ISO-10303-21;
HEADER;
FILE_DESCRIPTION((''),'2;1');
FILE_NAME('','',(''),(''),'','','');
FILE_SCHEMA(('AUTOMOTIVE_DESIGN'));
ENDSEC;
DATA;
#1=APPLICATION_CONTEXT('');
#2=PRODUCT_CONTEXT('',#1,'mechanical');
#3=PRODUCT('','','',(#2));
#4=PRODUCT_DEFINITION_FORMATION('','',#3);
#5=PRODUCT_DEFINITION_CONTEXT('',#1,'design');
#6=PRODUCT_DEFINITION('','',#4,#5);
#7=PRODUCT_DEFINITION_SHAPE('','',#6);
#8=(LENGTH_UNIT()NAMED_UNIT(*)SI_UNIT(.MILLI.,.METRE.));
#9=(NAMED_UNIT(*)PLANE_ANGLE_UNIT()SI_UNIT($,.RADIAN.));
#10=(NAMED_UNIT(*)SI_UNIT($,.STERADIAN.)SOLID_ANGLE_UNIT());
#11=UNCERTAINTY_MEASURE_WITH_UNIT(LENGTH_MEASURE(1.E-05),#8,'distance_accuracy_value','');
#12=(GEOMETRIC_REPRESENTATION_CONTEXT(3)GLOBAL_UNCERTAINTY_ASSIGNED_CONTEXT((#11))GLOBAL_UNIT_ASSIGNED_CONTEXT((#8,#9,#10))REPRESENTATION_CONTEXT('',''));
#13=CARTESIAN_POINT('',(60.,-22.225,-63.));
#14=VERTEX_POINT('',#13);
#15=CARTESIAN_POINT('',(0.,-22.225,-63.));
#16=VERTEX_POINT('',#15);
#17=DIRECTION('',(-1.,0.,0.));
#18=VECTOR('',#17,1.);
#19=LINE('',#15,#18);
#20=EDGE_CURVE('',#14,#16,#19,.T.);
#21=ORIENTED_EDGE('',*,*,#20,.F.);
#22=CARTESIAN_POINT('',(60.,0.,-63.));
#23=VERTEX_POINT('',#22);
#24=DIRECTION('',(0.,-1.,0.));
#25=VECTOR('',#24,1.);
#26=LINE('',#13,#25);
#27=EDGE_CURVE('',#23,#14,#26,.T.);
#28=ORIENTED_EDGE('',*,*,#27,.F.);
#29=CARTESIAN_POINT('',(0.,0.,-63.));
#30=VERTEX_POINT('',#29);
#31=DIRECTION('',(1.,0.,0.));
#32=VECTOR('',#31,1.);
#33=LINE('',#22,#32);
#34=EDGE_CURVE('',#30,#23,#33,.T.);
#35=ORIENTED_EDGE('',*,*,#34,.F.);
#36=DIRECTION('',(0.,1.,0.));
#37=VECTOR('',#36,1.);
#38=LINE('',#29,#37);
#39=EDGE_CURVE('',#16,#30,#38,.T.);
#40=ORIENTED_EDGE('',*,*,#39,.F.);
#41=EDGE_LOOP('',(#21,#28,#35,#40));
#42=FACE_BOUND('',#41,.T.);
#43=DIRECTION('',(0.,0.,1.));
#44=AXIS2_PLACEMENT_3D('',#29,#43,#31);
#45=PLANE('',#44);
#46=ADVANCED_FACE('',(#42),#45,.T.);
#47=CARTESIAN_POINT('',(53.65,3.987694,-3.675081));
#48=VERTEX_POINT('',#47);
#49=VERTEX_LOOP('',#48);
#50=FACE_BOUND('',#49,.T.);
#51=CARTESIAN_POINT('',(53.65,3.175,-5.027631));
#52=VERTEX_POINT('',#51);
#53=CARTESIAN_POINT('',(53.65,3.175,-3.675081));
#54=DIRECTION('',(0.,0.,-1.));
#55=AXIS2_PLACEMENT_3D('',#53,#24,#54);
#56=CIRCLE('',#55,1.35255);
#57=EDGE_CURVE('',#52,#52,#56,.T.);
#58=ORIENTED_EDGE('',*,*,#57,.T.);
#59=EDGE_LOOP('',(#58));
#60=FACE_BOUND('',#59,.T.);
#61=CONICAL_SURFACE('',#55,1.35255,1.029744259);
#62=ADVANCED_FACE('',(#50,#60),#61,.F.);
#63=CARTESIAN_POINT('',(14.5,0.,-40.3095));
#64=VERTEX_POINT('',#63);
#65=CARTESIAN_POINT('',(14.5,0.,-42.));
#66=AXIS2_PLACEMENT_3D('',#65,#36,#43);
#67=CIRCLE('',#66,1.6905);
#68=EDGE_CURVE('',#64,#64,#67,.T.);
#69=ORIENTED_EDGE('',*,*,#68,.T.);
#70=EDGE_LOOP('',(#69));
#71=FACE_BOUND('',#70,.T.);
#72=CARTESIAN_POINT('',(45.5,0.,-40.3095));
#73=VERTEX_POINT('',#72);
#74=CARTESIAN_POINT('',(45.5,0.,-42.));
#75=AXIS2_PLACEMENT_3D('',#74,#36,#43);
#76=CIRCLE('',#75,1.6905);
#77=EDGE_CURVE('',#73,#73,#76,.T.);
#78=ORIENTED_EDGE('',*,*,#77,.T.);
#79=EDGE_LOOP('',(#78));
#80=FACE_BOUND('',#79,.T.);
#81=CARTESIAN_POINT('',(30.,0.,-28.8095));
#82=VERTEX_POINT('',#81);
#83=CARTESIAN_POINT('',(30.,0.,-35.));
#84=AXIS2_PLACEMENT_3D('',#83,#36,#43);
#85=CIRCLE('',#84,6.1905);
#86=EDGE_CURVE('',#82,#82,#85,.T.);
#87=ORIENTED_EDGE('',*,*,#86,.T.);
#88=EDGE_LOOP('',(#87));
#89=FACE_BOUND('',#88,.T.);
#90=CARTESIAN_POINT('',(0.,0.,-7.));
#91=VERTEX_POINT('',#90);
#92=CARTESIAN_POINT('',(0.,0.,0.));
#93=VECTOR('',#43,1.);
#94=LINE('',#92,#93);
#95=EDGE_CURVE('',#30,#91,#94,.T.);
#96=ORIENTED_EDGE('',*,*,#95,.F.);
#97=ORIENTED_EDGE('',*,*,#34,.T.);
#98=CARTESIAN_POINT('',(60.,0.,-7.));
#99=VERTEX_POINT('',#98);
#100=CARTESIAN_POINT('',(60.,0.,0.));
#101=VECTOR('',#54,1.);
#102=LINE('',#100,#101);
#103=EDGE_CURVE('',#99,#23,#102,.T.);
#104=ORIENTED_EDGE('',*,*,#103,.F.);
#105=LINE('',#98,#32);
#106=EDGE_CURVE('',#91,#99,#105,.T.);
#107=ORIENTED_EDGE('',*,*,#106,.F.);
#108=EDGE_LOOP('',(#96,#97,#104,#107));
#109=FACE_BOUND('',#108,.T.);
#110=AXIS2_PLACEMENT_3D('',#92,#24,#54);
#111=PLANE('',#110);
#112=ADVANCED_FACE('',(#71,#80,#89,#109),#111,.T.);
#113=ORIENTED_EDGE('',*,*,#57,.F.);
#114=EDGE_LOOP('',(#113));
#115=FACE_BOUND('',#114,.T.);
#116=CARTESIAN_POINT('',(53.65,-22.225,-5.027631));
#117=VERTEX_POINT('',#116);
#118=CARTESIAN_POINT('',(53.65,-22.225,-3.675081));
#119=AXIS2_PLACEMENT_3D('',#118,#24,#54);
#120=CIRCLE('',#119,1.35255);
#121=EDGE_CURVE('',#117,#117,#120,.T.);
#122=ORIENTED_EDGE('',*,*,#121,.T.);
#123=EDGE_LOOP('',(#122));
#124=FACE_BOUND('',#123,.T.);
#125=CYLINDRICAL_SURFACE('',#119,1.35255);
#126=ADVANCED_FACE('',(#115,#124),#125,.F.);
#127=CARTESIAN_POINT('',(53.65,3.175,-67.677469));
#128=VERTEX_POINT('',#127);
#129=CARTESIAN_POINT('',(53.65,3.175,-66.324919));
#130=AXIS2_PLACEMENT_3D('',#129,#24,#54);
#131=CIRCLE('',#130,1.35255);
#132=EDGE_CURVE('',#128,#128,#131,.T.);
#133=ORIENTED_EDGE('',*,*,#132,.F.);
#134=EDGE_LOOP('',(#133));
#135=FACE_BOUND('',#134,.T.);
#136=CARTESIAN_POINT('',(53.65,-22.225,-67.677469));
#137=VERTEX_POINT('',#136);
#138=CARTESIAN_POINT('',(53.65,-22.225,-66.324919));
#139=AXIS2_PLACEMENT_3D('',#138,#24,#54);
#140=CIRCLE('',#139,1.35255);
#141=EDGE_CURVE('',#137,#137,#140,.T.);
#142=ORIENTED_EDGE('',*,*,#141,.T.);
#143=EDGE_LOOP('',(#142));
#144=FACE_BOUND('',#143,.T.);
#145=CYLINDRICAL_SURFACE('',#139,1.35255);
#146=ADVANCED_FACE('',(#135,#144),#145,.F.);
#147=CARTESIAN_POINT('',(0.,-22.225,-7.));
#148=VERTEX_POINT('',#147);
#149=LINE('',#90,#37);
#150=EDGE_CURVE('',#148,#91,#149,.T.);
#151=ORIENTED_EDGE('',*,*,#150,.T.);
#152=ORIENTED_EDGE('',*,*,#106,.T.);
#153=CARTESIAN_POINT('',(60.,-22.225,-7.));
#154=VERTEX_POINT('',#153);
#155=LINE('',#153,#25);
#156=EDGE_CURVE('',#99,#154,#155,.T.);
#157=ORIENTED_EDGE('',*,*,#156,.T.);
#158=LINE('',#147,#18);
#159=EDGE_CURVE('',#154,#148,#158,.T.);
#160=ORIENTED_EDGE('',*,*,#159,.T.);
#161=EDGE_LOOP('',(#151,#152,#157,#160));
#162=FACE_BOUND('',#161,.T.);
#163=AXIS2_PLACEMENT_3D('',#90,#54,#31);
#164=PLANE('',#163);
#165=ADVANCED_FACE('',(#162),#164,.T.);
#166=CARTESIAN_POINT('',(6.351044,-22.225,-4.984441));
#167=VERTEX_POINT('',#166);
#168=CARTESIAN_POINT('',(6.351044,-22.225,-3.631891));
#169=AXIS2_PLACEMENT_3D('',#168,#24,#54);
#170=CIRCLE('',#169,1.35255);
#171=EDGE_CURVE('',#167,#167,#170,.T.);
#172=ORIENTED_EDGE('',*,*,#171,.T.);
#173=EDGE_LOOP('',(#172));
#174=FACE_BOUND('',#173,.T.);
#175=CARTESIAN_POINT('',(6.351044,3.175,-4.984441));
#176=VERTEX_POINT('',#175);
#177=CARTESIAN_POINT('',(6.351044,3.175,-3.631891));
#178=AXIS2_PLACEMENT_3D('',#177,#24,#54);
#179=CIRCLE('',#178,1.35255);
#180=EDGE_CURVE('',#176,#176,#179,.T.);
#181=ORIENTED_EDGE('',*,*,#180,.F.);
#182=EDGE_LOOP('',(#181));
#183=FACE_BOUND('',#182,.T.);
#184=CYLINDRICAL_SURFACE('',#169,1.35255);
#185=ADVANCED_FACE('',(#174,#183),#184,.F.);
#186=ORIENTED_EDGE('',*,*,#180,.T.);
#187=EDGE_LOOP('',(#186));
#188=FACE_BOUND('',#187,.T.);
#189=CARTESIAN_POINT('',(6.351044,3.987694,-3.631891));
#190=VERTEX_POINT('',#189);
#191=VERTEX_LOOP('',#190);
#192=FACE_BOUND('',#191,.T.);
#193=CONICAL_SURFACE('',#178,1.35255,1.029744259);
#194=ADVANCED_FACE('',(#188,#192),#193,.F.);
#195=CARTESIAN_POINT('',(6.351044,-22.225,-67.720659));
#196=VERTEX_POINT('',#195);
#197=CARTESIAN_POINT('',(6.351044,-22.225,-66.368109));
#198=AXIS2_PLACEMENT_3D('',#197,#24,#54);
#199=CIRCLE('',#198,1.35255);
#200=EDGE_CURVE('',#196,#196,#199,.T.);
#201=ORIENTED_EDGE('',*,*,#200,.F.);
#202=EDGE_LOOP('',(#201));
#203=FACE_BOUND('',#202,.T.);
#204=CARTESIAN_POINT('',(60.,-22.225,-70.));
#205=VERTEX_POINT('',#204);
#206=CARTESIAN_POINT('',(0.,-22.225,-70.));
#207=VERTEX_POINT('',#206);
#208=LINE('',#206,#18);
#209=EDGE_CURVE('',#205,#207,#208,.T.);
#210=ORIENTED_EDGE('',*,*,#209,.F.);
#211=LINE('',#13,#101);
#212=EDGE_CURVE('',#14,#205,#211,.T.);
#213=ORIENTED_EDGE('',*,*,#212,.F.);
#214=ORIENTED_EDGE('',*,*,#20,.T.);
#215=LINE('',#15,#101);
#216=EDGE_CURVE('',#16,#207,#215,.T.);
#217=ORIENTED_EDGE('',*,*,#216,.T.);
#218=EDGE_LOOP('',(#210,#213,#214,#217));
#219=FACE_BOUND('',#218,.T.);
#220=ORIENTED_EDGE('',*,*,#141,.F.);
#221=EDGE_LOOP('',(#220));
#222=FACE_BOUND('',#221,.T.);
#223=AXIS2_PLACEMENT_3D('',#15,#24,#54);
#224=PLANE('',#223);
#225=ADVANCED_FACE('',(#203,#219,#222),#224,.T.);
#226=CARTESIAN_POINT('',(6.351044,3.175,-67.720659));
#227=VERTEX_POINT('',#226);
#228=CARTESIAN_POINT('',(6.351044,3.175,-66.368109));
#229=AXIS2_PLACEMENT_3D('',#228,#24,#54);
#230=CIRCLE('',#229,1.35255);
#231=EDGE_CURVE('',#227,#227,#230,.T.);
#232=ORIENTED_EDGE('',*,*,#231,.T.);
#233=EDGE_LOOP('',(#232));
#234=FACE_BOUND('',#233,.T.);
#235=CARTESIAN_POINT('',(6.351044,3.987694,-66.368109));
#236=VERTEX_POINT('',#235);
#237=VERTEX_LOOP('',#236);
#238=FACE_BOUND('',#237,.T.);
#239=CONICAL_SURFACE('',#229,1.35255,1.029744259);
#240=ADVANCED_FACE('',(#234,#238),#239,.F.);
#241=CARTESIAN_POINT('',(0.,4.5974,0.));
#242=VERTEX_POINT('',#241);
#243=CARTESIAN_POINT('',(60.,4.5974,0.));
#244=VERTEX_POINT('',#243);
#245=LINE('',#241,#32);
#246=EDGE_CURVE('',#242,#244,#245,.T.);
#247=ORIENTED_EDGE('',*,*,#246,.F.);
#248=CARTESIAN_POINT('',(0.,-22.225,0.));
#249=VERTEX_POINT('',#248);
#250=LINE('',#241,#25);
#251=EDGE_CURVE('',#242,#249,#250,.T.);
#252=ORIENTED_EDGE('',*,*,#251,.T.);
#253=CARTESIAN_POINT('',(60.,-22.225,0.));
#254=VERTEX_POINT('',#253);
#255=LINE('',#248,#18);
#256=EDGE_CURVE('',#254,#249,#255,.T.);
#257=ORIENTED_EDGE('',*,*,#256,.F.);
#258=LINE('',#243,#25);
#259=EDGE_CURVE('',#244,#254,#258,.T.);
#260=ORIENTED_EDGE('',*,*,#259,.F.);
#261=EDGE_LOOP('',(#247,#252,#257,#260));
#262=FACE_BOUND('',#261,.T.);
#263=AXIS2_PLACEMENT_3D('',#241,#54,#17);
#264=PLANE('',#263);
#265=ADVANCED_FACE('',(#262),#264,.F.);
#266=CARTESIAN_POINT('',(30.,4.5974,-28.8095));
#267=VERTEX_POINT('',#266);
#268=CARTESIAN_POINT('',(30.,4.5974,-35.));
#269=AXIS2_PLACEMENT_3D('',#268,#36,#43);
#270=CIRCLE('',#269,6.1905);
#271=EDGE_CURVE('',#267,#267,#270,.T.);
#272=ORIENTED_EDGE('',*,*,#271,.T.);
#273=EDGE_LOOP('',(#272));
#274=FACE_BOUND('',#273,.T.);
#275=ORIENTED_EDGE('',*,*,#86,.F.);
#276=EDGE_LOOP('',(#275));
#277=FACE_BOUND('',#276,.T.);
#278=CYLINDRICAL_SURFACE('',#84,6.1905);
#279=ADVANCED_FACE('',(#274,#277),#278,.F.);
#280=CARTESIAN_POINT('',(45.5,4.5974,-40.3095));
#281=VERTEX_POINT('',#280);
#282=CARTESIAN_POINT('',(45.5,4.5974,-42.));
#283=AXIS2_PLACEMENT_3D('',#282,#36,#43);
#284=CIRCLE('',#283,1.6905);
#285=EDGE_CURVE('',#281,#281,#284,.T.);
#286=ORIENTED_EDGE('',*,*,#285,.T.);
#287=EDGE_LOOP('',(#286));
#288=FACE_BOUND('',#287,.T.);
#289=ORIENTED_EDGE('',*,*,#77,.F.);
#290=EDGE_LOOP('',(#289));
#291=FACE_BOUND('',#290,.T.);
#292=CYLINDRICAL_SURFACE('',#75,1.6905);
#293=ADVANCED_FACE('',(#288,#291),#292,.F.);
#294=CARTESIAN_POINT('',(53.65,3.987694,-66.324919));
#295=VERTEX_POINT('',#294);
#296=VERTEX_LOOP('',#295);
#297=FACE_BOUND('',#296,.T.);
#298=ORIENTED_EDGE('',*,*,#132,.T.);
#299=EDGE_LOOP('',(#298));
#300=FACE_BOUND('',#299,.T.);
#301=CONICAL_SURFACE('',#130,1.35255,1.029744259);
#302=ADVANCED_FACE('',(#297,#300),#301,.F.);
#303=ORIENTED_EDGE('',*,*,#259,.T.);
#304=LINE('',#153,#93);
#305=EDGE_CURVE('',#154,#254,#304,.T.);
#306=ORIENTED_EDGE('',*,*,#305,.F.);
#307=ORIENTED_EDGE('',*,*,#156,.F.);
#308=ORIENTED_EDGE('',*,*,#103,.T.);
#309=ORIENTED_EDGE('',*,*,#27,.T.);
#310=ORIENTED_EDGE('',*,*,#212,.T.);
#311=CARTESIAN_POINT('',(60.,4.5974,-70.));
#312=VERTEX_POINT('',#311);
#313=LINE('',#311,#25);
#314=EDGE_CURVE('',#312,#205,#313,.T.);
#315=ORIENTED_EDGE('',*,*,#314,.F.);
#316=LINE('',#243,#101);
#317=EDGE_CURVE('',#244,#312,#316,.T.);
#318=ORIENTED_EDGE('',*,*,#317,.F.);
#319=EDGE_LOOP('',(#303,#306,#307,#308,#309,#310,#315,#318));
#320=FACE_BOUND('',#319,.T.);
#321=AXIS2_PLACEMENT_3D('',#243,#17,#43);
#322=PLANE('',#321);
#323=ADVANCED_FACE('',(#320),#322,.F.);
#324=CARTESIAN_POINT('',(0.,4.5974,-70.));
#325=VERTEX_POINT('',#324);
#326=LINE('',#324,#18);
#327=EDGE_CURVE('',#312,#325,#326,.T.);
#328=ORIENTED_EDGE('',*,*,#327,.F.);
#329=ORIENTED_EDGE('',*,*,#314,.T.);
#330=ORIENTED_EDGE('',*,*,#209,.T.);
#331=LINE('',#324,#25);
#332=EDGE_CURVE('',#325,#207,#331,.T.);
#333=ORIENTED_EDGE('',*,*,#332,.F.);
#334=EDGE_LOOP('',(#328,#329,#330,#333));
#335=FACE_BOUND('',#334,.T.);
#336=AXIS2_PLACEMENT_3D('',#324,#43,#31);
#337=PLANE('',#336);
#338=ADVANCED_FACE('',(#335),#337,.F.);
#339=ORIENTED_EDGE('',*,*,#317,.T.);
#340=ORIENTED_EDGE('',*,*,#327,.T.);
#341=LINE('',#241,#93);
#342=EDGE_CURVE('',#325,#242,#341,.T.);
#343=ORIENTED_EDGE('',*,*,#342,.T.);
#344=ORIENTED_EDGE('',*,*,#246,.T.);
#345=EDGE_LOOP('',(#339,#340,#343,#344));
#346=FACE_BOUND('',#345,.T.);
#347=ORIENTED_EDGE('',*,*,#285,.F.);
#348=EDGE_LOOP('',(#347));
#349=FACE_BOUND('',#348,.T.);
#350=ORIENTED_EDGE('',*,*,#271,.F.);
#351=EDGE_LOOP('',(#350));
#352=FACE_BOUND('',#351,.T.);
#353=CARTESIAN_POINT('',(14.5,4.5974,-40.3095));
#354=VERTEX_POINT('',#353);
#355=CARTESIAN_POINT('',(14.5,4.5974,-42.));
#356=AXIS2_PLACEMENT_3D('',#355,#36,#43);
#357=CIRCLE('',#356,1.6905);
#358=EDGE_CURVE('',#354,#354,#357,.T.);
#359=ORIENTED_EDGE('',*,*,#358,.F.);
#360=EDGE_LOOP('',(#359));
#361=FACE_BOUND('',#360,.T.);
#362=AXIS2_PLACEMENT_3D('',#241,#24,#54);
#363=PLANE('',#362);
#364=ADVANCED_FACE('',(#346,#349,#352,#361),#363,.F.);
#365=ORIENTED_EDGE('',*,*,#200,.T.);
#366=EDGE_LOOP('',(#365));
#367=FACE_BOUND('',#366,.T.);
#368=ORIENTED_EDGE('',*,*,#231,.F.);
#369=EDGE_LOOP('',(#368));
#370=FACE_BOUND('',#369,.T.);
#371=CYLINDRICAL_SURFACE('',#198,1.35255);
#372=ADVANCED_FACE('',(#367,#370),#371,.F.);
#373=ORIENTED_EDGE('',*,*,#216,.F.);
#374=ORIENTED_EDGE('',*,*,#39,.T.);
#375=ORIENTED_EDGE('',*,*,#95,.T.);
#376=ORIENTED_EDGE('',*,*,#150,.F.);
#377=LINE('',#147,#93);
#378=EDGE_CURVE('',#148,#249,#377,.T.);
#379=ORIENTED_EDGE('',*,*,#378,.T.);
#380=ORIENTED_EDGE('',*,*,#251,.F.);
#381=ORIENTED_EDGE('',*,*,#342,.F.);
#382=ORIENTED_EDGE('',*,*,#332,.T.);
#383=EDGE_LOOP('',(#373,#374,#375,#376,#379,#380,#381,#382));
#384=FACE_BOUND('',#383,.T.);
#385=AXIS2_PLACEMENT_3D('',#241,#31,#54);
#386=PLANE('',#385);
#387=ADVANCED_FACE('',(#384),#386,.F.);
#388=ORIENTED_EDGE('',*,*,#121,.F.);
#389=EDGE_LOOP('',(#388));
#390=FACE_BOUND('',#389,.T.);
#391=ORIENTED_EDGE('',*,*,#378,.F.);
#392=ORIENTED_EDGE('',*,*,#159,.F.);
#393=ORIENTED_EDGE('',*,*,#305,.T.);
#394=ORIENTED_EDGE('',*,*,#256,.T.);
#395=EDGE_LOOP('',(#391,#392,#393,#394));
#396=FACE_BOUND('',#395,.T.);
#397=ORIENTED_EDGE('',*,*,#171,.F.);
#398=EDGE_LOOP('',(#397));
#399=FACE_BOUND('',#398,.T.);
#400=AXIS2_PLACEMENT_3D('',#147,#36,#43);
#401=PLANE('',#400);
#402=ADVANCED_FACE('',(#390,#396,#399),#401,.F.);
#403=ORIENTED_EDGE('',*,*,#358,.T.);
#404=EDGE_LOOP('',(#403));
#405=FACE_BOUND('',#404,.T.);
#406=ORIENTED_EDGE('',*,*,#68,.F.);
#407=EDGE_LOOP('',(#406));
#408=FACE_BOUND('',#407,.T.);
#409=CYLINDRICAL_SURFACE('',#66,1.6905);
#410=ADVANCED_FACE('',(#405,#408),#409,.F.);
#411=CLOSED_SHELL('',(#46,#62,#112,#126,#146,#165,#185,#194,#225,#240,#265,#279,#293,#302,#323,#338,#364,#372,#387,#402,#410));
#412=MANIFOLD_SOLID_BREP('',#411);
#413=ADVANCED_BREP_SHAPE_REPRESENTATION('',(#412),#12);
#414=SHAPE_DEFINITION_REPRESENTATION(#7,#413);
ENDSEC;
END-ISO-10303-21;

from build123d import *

# Parameters (mm, degrees)
SKETCH2_W                      = 60
SKETCH2_H                      = 70
BOSS_EXTRUDE1_DEPTH            = 4.5974
SKETCH4_R                      = 6.1905
SKETCH4_R_2                    = 1.6905
CUT_EXTRUDE1_DEPTH             = 93.309999928
SKETCH5_W                      = 60
SKETCH5_H                      = 22.225
BOSS_EXTRUDE2_DEPTH            = 7
F_6_32_TAPPED_HOLE1_AT_2_COUNT = 2
F_6_32_TAPPED_HOLE1_AT_2_PITCH = 47.298975859


with BuildPart() as part:
    # Sketch2 → Boss-Extrude1 (new body)
    with BuildSketch(Plane(origin=(0, 0, 0), x_dir=(1, 0, 0), z_dir=(0, 1, 0))):
        with Locations((30, 35)):
            Rectangle(SKETCH2_W, SKETCH2_H)
    extrude(amount=BOSS_EXTRUDE1_DEPTH)

    # Sketch4 → Cut-Extrude1 (cut, through all)
    with BuildSketch(Plane(origin=(0, 4.5974, 0), x_dir=(1, 0, 0), z_dir=(0, 1, 0))):
        with Locations(Location((30, 35, 0), (0, 0, 270))):
            Circle(SKETCH4_R)
        with Locations(Location((45.5, 42, 0), (0, 0, 270))):
            Circle(SKETCH4_R_2)
        with Locations(Location((14.5, 42, 0), (0, 0, 270))):
            Circle(SKETCH4_R_2)
    extrude(amount=-CUT_EXTRUDE1_DEPTH, mode=Mode.SUBTRACT)

    # Sketch5 → Boss-Extrude2 (add)
    with BuildSketch(Plane(origin=(0, 0, -70), x_dir=(-1, 0, 0), z_dir=(0, 0, -1))):
        with Locations((-30, -11.1125)):
            Rectangle(SKETCH5_W, SKETCH5_H)
    boss_extrude2 = extrude(amount=-BOSS_EXTRUDE2_DEPTH)

    # Sketch8 → #6-32 Tapped Hole1 (revolve, cut)
    with BuildSketch(Plane(origin=(6.35104386, -22.225, -66.368109228), x_dir=(0, 0, -1), z_dir=(1, 0, 0))):
        Polygon((0, 0), (0, 26.21269403), (1.35255, 25.4), (1.35255, 0), align=None)
    f_6_32_tapped_hole1 = revolve(axis=Axis((6.35104386, -28.575, -66.368109228), (0, 1, 0)), mode=Mode.SUBTRACT)

    # #6-32 Tapped Hole1 at 2: #6-32 Tapped Hole1 ×2
    with Locations(*[Vector(0.9999995830982151, 0, 0.0009131283567521887) * (i * F_6_32_TAPPED_HOLE1_AT_2_PITCH) for i in range(1, F_6_32_TAPPED_HOLE1_AT_2_COUNT)]):
        add(f_6_32_tapped_hole1, mode=Mode.SUBTRACT)

    # Mirror1: Boss-Extrude2, #6-32 Tapped Hole1 across plane
    add(boss_extrude2.mirror(Plane(origin=(0, 0, -35), x_dir=(1, 0, 0), z_dir=(0, 0, -1))))
    add(f_6_32_tapped_hole1.mirror(Plane(origin=(0, 0, -35), x_dir=(1, 0, 0), z_dir=(0, 0, -1))), mode=Mode.SUBTRACT)

    # Mirror1 copy 1 sketch → Mirror1 copy 1 (revolve, cut)
    with BuildSketch(Plane(origin=(53.65, -22.225, -3.675080808), x_dir=(0, 0, 1), z_dir=(1, 0, 0))):
        Polygon((0, 0), (0, -26.21269403), (1.35255, -25.4), (1.35255, 0), align=None)
    revolve(axis=Axis((53.65, -28.575, -3.675080808), (0, -1, 0)), mode=Mode.SUBTRACT)


solid = part.part
